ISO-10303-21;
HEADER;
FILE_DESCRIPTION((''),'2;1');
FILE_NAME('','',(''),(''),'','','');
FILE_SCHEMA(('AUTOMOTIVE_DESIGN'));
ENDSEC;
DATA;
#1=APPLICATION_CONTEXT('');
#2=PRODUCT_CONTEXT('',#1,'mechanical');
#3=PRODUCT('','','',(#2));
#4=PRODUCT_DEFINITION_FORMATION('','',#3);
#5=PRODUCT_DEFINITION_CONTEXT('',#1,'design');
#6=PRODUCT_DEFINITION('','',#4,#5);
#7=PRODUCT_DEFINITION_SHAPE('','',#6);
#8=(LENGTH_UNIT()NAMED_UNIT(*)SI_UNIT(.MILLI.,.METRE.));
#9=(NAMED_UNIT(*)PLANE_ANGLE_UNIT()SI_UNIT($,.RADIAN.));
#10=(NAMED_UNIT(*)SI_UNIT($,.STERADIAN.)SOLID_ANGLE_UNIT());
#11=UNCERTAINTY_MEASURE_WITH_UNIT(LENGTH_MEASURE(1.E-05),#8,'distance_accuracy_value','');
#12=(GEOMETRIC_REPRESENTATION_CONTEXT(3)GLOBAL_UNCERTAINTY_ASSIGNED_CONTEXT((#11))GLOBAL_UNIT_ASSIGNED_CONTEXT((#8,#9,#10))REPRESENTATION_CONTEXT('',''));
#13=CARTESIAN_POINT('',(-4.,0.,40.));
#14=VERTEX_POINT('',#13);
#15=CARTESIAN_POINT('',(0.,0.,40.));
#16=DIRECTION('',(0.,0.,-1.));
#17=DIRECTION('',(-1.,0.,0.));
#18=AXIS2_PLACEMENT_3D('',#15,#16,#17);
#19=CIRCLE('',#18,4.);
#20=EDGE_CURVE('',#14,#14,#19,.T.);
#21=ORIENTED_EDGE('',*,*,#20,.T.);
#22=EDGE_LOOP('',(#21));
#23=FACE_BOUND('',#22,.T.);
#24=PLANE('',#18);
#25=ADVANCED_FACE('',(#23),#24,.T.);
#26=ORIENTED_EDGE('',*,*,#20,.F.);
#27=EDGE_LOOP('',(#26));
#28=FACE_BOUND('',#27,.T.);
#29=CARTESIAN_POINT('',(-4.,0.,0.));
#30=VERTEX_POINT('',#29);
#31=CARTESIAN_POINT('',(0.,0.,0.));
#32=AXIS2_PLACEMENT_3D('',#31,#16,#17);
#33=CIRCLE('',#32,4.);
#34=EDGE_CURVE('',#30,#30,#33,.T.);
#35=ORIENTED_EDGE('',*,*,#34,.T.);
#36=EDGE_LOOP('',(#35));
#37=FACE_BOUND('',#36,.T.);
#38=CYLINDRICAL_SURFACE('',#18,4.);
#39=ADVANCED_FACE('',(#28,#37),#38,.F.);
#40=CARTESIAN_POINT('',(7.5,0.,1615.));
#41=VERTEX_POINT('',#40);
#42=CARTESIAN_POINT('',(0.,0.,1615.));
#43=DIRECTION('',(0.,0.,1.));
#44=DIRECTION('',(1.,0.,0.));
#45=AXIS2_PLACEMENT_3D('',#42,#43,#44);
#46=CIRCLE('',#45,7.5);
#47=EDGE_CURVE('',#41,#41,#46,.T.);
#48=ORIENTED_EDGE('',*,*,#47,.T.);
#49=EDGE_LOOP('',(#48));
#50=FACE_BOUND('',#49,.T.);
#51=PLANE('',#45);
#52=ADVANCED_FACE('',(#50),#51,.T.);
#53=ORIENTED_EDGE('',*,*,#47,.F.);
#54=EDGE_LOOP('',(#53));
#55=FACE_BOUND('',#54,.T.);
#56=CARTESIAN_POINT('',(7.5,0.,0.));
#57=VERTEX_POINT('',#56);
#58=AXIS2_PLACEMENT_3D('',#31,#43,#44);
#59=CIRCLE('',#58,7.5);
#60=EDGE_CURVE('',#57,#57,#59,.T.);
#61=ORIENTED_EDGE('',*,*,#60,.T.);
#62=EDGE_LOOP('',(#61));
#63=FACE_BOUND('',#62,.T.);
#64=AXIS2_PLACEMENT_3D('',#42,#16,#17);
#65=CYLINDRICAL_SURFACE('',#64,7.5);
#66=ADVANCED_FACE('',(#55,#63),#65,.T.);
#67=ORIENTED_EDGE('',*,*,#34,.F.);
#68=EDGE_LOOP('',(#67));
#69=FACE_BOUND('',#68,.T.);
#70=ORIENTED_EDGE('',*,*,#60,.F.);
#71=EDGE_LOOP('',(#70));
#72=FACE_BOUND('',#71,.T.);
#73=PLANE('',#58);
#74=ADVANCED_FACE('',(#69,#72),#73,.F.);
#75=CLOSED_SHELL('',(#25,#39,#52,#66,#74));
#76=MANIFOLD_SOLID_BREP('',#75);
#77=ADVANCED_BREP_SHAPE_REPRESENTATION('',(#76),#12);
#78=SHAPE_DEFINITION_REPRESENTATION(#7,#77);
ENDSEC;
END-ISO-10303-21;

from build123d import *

# Parameters (mm, degrees)
SKETCH1_R           = 7.5
BOSS_EXTRUDE1_DEPTH = 1615
SKETCH2_R           = 4
CUT_EXTRUDE1_DEPTH  = 40


with BuildPart() as part:
    # Sketch1 → Boss-Extrude1 (new body)
    with BuildSketch(Plane.XY):
        Circle(SKETCH1_R)
    extrude(amount=BOSS_EXTRUDE1_DEPTH)

    # Sketch2 → Cut-Extrude1 (cut)
    with BuildSketch(Plane(origin=(0, 0, 0), x_dir=(-1, 0, 0), z_dir=(0, 0, -1))):
        Circle(SKETCH2_R)
    extrude(amount=-CUT_EXTRUDE1_DEPTH, mode=Mode.SUBTRACT)


solid = part.part
